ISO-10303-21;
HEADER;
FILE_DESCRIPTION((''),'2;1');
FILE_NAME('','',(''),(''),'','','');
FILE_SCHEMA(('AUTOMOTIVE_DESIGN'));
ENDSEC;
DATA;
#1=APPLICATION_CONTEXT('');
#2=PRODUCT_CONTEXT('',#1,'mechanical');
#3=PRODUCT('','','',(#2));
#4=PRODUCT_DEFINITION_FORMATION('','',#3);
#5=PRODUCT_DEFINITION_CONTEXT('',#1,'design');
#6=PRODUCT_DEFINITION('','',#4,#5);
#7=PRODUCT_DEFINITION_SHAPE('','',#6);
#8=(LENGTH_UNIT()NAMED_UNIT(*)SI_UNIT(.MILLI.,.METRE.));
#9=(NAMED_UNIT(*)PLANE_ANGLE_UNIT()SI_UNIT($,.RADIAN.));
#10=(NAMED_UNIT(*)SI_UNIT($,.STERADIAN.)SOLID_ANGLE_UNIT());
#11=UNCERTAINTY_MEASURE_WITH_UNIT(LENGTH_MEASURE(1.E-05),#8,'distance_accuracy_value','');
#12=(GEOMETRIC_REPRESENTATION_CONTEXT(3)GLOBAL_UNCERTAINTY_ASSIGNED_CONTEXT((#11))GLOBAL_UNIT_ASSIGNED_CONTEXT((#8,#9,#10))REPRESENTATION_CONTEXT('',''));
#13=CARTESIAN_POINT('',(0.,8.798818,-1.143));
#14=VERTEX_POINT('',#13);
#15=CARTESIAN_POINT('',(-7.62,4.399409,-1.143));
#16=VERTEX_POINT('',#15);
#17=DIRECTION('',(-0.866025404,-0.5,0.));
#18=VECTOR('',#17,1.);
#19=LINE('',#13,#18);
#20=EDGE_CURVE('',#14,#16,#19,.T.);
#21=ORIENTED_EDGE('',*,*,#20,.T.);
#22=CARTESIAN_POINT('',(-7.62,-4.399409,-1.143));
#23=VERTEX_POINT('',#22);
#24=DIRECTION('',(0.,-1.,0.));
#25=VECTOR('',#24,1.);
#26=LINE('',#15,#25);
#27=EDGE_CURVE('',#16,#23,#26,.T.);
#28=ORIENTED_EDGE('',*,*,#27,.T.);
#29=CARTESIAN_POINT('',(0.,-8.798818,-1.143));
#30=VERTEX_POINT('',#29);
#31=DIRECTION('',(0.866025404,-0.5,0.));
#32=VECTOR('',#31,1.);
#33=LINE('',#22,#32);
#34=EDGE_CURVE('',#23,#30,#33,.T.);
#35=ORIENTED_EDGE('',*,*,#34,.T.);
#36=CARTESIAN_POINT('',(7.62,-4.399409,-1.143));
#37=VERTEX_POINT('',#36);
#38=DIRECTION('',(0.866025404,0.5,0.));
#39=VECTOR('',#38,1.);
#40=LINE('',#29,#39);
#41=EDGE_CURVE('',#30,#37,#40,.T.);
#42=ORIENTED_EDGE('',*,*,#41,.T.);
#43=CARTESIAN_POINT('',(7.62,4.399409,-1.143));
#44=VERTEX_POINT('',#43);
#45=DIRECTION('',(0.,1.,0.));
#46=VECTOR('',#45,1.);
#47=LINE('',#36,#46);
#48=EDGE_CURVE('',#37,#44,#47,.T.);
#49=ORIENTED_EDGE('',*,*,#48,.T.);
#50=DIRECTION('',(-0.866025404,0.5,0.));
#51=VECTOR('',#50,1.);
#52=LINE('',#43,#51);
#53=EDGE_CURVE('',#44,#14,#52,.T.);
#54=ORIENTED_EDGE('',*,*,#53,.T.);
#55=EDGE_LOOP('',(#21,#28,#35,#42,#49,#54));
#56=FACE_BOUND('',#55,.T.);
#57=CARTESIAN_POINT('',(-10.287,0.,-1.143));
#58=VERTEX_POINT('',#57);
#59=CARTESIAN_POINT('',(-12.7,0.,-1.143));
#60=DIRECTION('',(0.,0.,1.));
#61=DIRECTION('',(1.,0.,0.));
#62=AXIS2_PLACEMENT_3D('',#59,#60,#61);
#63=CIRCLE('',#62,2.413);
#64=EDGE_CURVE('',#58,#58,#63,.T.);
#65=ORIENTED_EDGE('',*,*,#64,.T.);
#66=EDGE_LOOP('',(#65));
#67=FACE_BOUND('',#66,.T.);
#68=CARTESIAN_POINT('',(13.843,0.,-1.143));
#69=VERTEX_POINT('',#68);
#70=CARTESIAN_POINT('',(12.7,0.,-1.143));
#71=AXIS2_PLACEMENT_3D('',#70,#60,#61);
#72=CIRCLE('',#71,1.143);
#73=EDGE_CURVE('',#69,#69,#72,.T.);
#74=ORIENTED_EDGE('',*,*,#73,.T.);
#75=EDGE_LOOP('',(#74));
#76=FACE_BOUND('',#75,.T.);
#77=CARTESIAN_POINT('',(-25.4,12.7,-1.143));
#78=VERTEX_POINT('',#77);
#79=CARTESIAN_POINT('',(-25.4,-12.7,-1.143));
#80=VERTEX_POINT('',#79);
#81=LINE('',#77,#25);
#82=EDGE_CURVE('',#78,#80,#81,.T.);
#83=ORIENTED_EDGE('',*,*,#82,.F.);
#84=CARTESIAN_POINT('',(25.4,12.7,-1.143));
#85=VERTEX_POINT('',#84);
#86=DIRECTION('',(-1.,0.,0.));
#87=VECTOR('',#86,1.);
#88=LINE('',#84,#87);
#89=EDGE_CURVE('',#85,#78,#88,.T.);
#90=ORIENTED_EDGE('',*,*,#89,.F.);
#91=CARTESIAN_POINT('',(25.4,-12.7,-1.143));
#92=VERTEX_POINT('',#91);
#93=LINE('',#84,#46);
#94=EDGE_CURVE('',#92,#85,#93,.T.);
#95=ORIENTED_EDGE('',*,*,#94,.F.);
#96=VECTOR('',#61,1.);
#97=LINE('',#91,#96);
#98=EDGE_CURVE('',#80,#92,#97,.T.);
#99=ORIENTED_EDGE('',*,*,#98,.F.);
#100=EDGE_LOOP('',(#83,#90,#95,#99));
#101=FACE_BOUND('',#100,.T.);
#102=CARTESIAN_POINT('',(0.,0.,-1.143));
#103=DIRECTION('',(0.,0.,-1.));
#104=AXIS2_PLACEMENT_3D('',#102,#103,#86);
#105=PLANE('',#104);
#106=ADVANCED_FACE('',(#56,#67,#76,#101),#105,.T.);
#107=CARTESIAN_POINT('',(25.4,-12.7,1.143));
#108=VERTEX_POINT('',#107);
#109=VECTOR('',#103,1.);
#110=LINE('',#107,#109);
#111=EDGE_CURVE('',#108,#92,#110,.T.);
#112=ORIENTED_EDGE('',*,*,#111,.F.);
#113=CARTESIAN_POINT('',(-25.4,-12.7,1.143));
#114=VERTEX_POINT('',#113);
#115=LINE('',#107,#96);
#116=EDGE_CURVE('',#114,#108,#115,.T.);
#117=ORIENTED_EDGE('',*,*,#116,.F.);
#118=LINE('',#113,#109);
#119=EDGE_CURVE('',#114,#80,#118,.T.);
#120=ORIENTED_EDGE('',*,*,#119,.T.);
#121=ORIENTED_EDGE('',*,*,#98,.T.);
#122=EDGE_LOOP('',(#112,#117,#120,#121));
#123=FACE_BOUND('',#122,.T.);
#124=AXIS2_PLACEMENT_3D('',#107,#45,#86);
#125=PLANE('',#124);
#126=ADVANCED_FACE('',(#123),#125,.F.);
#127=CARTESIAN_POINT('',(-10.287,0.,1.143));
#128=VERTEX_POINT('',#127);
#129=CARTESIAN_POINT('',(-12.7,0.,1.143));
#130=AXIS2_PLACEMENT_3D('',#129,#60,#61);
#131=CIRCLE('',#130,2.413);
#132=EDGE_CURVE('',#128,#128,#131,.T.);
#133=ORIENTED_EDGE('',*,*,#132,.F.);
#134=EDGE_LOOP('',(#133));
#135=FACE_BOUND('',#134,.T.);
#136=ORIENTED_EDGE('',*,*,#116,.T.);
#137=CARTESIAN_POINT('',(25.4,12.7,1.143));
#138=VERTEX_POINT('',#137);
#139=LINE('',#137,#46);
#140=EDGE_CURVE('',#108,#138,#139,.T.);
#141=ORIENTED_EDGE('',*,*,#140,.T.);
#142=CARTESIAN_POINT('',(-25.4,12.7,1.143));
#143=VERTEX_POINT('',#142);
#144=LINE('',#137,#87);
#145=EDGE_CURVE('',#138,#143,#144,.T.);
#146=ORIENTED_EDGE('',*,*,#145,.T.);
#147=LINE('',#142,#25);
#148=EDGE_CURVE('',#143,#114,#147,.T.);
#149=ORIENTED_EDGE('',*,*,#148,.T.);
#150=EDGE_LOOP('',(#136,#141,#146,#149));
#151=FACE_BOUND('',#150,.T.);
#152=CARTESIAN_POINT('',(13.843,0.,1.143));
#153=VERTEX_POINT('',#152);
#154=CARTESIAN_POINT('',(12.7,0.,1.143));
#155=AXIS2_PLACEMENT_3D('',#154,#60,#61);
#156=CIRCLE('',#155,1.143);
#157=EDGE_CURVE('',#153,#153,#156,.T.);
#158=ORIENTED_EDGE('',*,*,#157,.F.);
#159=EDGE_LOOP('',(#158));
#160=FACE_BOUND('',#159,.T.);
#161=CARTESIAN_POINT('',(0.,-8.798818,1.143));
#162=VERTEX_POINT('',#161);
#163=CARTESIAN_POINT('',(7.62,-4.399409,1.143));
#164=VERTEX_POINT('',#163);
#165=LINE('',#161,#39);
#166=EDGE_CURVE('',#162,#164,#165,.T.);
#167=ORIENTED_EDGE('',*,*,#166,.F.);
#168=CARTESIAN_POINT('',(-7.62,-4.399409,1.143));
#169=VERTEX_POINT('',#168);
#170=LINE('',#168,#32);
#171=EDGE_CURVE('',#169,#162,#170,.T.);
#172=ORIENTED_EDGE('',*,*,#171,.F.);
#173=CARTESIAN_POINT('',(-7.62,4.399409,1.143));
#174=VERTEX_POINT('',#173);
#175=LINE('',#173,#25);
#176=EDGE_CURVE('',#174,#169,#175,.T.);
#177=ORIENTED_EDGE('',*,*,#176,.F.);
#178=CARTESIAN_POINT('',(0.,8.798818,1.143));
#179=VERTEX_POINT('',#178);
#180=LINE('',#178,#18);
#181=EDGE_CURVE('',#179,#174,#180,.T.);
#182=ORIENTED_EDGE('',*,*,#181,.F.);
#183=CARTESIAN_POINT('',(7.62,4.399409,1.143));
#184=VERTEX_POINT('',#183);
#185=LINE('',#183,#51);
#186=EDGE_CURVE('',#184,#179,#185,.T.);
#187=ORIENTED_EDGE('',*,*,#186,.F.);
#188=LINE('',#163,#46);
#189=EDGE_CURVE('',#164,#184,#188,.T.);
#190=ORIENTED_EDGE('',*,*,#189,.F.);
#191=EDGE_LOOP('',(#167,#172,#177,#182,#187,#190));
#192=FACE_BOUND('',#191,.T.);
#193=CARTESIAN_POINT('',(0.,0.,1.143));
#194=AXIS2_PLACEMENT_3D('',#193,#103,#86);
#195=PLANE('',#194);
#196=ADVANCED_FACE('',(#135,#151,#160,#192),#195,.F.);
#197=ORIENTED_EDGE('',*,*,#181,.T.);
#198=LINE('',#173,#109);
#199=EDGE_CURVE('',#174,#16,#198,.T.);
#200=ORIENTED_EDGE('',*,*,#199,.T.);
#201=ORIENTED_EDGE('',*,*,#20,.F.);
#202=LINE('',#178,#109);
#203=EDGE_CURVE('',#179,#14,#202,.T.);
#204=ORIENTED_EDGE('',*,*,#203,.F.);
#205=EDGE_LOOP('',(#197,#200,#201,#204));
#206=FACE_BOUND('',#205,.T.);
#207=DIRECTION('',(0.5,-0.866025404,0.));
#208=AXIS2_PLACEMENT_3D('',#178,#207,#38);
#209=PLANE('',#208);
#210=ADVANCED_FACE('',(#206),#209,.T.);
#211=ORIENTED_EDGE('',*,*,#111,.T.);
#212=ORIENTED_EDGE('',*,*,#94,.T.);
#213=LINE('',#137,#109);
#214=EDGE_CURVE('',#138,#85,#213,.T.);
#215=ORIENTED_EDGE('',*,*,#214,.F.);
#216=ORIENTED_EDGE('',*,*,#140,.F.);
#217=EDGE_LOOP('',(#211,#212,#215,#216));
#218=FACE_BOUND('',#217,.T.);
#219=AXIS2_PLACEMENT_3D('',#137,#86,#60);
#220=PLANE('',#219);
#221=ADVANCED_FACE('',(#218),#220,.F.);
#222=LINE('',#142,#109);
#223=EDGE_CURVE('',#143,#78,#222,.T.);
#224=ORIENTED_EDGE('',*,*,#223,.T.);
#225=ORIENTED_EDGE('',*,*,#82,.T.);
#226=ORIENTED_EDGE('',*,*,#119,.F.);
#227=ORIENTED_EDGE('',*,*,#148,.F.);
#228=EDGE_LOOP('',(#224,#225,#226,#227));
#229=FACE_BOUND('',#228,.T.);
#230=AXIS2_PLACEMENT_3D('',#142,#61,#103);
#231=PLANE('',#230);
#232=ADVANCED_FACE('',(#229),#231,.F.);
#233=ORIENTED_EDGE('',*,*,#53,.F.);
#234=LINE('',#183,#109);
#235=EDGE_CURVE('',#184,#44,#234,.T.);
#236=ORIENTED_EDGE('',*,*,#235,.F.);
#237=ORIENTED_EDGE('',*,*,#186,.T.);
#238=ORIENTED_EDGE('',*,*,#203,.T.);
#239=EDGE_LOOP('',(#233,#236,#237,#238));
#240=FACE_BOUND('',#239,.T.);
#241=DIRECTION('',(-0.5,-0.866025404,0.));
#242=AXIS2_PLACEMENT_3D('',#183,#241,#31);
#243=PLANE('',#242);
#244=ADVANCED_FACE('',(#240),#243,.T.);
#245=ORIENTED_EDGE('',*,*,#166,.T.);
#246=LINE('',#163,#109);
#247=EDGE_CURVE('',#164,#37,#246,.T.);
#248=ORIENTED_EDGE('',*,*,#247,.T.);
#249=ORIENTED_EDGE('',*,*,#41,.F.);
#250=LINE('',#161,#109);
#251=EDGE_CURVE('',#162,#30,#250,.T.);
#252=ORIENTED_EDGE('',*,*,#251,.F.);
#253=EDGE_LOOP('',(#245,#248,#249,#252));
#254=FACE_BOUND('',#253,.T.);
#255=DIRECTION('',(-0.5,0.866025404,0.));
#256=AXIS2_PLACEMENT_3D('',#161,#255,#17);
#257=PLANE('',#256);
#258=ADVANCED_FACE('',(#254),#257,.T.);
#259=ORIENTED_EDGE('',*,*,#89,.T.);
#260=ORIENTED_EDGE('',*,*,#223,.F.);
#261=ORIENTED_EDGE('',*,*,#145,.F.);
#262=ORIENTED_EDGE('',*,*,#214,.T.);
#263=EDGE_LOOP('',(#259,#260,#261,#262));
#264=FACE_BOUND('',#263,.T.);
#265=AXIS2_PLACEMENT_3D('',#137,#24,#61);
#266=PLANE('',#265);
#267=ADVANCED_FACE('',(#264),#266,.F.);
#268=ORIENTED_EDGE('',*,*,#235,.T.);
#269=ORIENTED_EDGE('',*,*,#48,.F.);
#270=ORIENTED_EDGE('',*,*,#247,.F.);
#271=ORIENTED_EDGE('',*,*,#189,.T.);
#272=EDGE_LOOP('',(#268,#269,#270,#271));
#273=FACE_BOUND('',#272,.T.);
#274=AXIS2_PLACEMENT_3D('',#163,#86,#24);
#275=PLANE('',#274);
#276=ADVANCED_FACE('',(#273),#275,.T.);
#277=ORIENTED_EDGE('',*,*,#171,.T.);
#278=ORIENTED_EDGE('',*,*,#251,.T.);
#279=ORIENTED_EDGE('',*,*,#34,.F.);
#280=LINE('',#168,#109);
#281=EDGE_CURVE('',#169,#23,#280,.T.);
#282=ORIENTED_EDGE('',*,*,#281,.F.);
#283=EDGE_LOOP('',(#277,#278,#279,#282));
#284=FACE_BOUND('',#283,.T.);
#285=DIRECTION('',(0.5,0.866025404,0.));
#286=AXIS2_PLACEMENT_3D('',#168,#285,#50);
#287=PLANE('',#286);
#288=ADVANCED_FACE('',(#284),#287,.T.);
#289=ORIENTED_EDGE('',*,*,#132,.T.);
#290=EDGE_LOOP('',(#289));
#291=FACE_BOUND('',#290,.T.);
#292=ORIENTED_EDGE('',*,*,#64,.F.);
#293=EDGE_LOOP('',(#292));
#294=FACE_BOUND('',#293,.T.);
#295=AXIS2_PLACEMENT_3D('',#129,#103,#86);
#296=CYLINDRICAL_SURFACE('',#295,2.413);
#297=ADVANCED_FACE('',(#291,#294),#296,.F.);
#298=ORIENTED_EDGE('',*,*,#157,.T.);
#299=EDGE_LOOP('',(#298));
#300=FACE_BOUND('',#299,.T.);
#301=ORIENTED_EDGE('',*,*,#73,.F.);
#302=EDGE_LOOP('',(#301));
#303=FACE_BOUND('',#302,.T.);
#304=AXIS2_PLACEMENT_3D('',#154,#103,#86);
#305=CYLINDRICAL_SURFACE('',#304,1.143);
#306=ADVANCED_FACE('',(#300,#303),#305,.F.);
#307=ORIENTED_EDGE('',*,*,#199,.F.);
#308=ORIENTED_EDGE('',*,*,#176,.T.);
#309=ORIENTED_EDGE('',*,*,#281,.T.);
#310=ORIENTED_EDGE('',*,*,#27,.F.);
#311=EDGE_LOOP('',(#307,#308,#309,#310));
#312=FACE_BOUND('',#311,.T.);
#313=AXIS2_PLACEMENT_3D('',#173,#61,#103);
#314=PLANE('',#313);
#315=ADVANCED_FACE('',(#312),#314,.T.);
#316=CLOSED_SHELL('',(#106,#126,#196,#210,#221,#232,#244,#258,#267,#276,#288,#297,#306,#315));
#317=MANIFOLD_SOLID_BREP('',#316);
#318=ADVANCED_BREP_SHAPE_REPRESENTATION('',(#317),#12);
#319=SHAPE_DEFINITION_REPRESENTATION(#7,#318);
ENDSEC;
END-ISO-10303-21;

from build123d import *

# Parameters (mm, degrees)
SKETCH1_W           = 50.8
SKETCH1_H           = 25.4
SKETCH1_R           = 2.413
SKETCH1_R_2         = 1.143
BOSS_EXTRUDE1_DEPTH = 1.143


with BuildPart() as part:
    # Sketch1 → Boss-Extrude1 (new, symmetric)
    with BuildSketch(Plane.XY):
        Rectangle(SKETCH1_W, SKETCH1_H)
        with Locations((-12.7, 0)):
            Circle(SKETCH1_R, mode=Mode.SUBTRACT)
        with Locations((12.7, 0)):
            Circle(SKETCH1_R_2, mode=Mode.SUBTRACT)
        Polygon((7.62, 4.399409051), (0, 8.798818102), (-7.62, 4.399409051), (-7.62, -4.399409051), (0, -8.798818102), (7.62, -4.399409051), align=None, mode=Mode.SUBTRACT)
    extrude(amount=BOSS_EXTRUDE1_DEPTH, both=True)


solid = part.part
